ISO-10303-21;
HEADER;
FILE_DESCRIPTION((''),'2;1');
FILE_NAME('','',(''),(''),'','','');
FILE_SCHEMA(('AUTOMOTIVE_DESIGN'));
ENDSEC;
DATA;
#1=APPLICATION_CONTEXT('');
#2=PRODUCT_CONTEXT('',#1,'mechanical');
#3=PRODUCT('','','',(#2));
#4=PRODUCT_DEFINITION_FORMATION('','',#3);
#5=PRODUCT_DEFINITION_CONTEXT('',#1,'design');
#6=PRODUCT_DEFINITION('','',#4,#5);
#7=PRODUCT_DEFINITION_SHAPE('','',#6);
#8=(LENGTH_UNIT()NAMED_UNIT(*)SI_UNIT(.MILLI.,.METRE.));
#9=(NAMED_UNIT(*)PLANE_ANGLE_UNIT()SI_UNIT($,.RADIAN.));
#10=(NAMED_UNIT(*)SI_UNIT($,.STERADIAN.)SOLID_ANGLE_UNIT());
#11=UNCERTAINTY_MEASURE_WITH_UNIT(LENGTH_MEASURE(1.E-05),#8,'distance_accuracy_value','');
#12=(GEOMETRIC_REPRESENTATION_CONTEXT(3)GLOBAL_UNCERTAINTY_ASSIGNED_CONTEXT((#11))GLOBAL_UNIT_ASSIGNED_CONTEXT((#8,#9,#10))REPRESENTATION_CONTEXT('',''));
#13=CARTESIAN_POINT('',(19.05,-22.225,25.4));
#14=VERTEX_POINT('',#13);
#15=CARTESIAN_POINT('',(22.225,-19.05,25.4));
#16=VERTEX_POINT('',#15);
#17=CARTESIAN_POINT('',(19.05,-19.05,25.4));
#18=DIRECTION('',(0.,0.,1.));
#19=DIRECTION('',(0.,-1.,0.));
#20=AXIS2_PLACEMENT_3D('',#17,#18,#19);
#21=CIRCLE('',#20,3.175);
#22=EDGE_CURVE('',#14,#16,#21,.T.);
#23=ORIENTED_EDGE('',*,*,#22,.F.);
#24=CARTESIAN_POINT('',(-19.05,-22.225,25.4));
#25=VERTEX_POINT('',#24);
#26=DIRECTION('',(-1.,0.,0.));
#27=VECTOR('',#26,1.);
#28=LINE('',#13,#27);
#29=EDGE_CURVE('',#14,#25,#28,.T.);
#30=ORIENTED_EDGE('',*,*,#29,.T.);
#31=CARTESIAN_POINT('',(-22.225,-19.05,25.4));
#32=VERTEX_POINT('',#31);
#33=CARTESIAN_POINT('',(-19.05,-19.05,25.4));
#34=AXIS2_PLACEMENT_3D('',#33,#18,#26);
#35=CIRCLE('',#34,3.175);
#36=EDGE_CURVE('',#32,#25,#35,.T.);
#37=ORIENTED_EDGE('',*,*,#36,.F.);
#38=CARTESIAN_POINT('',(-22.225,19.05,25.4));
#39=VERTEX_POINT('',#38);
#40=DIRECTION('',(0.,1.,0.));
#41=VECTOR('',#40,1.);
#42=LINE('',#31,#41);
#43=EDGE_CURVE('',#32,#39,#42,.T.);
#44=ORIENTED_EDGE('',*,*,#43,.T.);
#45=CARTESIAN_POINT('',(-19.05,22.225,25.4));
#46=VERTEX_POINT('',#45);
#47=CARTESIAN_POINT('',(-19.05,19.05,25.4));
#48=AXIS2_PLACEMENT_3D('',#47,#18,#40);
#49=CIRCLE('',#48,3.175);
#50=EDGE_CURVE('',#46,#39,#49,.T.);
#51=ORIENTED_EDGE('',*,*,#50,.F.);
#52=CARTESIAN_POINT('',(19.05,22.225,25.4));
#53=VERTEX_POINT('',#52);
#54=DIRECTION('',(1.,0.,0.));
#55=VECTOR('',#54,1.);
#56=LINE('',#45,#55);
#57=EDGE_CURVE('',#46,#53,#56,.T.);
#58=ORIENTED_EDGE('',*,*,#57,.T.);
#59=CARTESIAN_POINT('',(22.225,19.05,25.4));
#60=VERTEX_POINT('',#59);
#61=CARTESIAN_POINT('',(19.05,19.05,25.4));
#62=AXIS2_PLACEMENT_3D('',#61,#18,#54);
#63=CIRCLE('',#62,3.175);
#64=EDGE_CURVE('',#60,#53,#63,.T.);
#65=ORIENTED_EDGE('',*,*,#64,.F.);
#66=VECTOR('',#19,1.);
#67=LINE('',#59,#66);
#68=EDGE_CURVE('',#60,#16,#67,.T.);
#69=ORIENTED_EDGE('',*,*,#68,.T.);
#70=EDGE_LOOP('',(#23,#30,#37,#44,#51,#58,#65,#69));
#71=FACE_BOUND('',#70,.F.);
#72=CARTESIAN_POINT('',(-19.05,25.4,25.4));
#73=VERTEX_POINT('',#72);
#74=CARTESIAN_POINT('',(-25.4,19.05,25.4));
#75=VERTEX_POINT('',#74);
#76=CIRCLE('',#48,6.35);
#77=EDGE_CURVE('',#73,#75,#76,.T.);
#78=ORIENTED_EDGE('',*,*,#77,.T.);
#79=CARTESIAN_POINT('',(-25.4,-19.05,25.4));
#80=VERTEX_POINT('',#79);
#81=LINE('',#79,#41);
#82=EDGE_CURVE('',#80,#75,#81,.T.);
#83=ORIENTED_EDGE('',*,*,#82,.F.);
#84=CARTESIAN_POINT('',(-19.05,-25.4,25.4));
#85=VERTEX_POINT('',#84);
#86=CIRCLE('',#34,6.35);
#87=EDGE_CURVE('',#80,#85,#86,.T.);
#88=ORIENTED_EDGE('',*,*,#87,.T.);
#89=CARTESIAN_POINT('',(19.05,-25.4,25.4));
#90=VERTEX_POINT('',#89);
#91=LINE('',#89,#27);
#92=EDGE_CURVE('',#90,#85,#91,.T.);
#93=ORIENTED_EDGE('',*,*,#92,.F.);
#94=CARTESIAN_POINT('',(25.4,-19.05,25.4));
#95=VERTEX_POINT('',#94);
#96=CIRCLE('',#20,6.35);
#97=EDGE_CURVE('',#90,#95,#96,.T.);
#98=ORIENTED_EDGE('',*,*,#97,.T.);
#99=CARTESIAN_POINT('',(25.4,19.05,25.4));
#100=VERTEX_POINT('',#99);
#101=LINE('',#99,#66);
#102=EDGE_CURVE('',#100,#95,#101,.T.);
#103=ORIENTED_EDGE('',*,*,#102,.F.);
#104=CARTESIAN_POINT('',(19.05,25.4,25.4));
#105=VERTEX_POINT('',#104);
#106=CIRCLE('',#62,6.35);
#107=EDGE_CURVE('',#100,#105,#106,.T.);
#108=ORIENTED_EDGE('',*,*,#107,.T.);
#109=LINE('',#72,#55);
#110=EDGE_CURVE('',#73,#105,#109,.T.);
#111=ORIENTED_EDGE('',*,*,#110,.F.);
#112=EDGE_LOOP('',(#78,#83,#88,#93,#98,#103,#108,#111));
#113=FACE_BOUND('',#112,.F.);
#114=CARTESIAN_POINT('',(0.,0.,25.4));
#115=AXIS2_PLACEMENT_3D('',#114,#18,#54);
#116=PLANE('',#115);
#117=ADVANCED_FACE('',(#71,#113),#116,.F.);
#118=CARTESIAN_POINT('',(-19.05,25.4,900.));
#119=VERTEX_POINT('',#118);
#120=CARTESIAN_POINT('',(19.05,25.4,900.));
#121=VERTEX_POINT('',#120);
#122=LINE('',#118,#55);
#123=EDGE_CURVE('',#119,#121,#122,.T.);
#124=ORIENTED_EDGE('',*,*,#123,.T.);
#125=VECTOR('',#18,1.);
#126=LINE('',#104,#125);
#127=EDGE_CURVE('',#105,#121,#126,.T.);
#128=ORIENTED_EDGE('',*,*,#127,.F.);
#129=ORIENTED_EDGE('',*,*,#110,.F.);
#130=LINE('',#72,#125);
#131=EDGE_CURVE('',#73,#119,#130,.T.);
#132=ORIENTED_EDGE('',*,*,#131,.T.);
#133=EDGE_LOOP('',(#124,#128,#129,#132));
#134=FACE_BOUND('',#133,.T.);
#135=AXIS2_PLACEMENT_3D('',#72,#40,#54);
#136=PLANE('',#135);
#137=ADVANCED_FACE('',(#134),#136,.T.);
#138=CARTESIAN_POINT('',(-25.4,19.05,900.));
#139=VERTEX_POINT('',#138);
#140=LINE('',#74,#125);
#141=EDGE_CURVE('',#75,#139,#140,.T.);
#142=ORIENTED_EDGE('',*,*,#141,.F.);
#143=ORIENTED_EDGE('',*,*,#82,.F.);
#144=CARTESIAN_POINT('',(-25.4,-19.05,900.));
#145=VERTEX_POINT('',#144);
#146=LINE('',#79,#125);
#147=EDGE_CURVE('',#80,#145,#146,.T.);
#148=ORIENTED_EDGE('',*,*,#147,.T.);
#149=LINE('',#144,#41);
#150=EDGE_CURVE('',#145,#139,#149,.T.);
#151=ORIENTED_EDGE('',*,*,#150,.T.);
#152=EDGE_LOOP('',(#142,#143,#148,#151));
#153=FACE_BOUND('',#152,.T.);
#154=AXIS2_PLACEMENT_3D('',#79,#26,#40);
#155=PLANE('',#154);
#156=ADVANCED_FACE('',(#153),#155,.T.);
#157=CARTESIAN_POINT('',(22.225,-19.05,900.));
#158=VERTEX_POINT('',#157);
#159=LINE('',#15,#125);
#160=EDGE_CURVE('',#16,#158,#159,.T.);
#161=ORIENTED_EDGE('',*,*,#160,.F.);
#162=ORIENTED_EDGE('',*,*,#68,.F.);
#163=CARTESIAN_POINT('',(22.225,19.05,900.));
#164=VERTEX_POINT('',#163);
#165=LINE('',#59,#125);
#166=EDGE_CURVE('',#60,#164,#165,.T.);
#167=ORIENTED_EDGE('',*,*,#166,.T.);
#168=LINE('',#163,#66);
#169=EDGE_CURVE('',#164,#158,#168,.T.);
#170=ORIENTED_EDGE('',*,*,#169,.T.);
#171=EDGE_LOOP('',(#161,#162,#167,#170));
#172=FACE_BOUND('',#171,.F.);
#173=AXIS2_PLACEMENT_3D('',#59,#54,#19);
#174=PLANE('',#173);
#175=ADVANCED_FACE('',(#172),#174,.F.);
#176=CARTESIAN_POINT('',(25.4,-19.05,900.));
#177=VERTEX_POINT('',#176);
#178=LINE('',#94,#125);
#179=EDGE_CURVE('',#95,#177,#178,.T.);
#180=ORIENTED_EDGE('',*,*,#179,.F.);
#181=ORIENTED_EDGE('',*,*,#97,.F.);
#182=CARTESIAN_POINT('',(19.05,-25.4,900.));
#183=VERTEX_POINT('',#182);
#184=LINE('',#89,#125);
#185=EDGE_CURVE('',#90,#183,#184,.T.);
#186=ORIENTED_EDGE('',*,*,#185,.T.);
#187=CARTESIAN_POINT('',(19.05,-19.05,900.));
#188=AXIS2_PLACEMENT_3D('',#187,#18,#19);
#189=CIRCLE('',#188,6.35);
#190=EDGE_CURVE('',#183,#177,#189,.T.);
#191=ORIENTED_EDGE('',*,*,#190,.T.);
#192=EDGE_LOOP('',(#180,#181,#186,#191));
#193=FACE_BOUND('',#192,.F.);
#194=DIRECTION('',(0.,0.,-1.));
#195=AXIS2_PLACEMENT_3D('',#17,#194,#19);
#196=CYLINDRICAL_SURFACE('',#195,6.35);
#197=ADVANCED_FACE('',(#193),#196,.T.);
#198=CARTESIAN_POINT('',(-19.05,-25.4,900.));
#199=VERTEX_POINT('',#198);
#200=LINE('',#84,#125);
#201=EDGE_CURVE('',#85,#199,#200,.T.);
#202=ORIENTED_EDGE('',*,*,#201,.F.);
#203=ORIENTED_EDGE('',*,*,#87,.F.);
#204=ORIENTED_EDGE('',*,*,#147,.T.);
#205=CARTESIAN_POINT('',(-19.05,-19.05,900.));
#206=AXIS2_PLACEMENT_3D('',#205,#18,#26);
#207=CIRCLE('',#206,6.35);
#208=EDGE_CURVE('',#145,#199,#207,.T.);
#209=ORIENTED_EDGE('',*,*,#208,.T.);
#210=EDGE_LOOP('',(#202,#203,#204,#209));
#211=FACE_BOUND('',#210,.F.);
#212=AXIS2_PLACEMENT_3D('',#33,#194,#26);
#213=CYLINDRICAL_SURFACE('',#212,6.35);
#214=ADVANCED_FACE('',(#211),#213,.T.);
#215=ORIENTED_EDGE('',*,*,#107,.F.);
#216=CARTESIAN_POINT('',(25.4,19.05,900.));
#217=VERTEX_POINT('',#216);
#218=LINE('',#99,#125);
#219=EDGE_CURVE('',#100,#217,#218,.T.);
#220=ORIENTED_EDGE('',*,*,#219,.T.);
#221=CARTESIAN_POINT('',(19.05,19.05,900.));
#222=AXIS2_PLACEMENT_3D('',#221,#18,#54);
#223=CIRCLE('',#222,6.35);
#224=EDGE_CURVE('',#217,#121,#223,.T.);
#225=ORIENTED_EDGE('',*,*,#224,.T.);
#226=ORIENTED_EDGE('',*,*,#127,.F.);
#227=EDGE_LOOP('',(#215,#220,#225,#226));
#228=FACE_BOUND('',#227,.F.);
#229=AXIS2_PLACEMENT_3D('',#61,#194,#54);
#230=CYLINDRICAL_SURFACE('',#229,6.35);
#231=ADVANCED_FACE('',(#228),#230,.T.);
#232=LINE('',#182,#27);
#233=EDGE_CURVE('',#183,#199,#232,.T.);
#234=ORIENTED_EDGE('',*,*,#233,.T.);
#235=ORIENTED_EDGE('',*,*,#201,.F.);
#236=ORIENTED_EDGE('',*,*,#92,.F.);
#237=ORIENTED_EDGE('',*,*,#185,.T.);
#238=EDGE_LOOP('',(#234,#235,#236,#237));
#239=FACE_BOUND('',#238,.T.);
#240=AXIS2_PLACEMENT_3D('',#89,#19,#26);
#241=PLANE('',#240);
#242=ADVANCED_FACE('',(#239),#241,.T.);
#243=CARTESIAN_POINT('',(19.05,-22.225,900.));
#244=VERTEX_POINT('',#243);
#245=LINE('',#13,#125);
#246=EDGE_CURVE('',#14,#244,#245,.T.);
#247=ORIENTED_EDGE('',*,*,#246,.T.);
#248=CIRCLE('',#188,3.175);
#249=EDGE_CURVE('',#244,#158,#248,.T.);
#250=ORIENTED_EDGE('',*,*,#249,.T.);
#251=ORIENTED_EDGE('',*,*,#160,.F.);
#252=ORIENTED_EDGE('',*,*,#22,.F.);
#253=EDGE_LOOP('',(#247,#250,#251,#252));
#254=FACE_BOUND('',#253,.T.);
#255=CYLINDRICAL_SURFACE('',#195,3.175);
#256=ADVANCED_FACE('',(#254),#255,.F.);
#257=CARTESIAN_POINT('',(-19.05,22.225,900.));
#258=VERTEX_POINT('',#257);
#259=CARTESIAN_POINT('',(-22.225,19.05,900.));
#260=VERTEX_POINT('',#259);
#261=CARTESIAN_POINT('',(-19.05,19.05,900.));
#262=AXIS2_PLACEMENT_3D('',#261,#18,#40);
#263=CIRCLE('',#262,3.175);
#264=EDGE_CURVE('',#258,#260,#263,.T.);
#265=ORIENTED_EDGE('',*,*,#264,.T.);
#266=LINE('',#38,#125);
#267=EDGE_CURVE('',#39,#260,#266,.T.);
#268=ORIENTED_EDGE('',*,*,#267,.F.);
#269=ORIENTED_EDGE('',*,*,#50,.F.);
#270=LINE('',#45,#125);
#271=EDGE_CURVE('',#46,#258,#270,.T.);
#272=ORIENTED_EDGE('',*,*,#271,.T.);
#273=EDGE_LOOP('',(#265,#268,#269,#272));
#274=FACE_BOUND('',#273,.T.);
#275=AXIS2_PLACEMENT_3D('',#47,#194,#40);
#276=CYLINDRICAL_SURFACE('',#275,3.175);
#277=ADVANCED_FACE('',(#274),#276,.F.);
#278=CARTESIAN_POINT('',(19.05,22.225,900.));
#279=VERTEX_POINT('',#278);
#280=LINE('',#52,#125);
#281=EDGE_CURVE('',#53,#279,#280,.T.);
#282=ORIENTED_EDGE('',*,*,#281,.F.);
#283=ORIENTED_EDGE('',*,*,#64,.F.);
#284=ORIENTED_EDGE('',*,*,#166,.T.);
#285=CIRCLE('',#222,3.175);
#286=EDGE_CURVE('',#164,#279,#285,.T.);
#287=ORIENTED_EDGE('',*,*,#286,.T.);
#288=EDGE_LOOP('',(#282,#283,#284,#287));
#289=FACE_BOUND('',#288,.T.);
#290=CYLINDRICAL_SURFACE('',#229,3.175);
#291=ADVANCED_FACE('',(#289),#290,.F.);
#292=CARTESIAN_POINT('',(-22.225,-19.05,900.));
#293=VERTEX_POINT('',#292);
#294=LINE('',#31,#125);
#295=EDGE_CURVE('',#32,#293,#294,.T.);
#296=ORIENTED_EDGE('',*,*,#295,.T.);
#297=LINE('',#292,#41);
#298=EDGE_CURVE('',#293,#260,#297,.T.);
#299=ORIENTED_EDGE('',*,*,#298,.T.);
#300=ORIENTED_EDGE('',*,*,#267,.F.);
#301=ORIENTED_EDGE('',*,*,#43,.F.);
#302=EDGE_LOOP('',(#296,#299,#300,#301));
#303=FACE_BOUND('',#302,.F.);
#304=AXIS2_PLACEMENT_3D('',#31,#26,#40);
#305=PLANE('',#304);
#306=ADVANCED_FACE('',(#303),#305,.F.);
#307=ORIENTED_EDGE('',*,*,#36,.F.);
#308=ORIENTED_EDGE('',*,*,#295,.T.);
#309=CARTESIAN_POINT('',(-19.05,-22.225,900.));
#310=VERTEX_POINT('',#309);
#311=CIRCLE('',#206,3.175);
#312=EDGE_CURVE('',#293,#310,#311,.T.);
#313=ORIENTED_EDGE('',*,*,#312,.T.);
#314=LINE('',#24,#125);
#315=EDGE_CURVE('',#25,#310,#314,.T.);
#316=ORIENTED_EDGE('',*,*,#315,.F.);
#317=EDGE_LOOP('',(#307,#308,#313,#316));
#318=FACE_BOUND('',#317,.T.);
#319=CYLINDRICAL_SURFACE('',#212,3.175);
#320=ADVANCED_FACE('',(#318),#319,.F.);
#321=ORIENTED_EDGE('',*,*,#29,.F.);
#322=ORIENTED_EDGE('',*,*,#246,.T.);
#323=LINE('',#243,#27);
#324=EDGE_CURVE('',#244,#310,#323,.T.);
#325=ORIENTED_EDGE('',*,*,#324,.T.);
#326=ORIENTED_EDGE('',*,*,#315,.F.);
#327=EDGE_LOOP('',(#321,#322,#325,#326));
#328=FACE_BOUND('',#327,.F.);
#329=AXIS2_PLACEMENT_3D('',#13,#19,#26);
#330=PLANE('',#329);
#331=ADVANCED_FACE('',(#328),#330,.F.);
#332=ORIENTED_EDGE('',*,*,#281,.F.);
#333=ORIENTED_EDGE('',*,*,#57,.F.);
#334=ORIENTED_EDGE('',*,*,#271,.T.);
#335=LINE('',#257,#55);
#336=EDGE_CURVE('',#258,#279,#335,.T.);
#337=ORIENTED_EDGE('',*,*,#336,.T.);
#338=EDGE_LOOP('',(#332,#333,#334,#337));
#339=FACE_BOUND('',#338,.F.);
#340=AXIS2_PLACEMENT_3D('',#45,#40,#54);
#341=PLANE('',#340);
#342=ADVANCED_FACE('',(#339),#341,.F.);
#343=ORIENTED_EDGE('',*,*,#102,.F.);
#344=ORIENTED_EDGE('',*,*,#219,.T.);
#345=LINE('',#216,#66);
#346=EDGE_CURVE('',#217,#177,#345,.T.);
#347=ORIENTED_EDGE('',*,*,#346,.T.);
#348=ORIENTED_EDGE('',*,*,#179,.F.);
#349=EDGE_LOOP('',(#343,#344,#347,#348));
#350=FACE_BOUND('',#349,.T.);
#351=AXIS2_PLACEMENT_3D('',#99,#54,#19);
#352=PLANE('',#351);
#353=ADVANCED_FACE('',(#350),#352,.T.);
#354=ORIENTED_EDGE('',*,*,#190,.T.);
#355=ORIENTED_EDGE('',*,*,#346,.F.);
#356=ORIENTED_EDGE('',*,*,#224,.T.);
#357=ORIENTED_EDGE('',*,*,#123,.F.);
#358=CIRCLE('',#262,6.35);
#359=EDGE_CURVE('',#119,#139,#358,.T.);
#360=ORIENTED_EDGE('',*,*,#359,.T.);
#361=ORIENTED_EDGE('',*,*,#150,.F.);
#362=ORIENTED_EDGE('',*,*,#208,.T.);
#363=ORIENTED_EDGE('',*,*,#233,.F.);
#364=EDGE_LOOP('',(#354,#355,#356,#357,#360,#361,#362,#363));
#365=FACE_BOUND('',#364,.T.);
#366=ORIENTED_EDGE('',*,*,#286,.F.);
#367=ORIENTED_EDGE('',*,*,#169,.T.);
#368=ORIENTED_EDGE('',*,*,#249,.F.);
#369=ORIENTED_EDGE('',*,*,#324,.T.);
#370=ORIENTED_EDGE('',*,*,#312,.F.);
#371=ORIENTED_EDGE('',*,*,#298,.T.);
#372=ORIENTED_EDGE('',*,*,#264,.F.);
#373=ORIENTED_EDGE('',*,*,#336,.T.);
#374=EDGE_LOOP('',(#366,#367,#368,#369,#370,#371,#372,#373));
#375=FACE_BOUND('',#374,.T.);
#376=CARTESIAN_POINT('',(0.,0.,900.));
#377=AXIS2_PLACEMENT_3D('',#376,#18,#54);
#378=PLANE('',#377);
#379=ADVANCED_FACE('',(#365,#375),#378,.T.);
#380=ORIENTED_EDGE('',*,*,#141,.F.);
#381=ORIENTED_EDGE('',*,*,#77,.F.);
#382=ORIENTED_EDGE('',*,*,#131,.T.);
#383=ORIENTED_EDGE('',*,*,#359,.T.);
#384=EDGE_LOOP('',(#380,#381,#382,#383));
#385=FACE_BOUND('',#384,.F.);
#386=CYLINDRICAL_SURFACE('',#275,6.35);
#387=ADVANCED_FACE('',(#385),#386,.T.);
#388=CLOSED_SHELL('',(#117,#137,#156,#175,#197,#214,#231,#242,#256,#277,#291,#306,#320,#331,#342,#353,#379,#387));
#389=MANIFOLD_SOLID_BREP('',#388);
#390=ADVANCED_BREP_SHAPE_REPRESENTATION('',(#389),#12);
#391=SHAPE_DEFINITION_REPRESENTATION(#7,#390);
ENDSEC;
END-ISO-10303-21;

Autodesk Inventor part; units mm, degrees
ref_plane "Plano inicial" through (0, 0, 25.4) normal (0, 0, 1) x (1, 0, 0)
ref_plane "Plano final" through (0, 0, 900) normal (0, 0, 1) x (1, 0, 0)
sketch "Boceto" plane through (0, 0, 0) normal (0, 0, 1) x (1, 0, 0)
  line L0 (-25.4, -19.05) -> (-25.4, 19.05)
  line L1 (-19.05, 25.4) -> (19.05, 25.4)
  line L2 (25.4, 19.05) -> (25.4, -19.05)
  line L3 (19.05, -25.4) -> (-19.05, -25.4)
  arc A0 (-25.4, -19.05) -> (-19.05, -25.4) centre (-19.05, -19.05) ccw
  arc A1 (-19.05, 25.4) -> (-25.4, 19.05) centre (-19.05, 19.05) ccw
  arc A2 (25.4, 19.05) -> (19.05, 25.4) centre (19.05, 19.05) ccw
  arc A3 (19.05, -25.4) -> (25.4, -19.05) centre (19.05, -19.05) ccw
  arc A4 (-19.05, 22.225) -> (-22.225, 19.05) centre (-19.05, 19.05) ccw
  line L4 (-19.05, 22.225) -> (19.05, 22.225)
  arc A5 (22.225, 19.05) -> (19.05, 22.225) centre (19.05, 19.05) ccw
  line L5 (22.225, 19.05) -> (22.225, -19.05)
  arc A6 (19.05, -22.225) -> (22.225, -19.05) centre (19.05, -19.05) ccw
  line L6 (19.05, -22.225) -> (-19.05, -22.225)
  arc A7 (-22.225, -19.05) -> (-19.05, -22.225) centre (-19.05, -19.05) ccw
  line L7 (-22.225, -19.05) -> (-22.225, 19.05)
  line L8 (0, 37.4012) -> (0, -37.4012) construction
  line L9 (-37.4012, 0) -> (37.4012, 0) construction
  dimension "d10" = 50.8
  dimension "d11" = 50.8
  dimension "d12" = 3.175
  dimension "d15" = 25.4
  dimension "d16" = 25.4
  dimension "d17" = 6.35
extrude "Cuerpo" add sketch "Boceto" along normal up to surface (874.6 mm away) from surface at 25.4
sketch "Sketch3" plane through (0, 0, 0) normal (0, 0, 1) x (1, 0, 0)
  line L0 (0, 0) -> (10, 0)
ref_plane "Work Plane3" through (0, 0, 0) normal (0, -1, 0) x (1, 0, 0)
ref_plane "Plano de trabajo4" through (3000, -1425.95, 25.4) normal (0, 0, -1) x (-1, 0, 0)
split "Dividir1" plane through (3000, -1425.95, 25.4) removes the side toward (0, 0, -1)
sketch "Sketch4" plane through (0, 0, 0) normal (0, -1, 0) x (1, 0, 0)
  line L0 (-2, 25.4) -> (12, 25.4) projected
  line L1 (-2, 900) -> (12, 900) projected
  dimension "d19" = 874.6
equation "\"d10\" = G_H"
equation "\"d11\" = G_W"
equation "\"d12\" = G_T"
equation "\"d15\" = 0.5 * d10"
equation "\"d16\" = 0.5 * d11"
equation "\"d17\" = G_IR"
equation "\"d3\" = G_L"
equation "\"G_W\" = 50.8"
equation "\"G_H\" = 50.8"
equation "\"G_T\" = 3.175"
equation "\"G_IR\" = 6.35"
equation "\"G_L\" = d19"
equation "\"G_OFFSET_START\" = -25.4"
equation "\"G_OFFSET_END\" = 0"
equation "\"d13\" = -G_OFFSET_START"
equation "\"d14\" = G_OFFSET_END + B_L"
equation "\"B_L\" = 900"
properties part number "AISC - 2 x 2 x 1/8 - 34,433" material "Acero, suave"
